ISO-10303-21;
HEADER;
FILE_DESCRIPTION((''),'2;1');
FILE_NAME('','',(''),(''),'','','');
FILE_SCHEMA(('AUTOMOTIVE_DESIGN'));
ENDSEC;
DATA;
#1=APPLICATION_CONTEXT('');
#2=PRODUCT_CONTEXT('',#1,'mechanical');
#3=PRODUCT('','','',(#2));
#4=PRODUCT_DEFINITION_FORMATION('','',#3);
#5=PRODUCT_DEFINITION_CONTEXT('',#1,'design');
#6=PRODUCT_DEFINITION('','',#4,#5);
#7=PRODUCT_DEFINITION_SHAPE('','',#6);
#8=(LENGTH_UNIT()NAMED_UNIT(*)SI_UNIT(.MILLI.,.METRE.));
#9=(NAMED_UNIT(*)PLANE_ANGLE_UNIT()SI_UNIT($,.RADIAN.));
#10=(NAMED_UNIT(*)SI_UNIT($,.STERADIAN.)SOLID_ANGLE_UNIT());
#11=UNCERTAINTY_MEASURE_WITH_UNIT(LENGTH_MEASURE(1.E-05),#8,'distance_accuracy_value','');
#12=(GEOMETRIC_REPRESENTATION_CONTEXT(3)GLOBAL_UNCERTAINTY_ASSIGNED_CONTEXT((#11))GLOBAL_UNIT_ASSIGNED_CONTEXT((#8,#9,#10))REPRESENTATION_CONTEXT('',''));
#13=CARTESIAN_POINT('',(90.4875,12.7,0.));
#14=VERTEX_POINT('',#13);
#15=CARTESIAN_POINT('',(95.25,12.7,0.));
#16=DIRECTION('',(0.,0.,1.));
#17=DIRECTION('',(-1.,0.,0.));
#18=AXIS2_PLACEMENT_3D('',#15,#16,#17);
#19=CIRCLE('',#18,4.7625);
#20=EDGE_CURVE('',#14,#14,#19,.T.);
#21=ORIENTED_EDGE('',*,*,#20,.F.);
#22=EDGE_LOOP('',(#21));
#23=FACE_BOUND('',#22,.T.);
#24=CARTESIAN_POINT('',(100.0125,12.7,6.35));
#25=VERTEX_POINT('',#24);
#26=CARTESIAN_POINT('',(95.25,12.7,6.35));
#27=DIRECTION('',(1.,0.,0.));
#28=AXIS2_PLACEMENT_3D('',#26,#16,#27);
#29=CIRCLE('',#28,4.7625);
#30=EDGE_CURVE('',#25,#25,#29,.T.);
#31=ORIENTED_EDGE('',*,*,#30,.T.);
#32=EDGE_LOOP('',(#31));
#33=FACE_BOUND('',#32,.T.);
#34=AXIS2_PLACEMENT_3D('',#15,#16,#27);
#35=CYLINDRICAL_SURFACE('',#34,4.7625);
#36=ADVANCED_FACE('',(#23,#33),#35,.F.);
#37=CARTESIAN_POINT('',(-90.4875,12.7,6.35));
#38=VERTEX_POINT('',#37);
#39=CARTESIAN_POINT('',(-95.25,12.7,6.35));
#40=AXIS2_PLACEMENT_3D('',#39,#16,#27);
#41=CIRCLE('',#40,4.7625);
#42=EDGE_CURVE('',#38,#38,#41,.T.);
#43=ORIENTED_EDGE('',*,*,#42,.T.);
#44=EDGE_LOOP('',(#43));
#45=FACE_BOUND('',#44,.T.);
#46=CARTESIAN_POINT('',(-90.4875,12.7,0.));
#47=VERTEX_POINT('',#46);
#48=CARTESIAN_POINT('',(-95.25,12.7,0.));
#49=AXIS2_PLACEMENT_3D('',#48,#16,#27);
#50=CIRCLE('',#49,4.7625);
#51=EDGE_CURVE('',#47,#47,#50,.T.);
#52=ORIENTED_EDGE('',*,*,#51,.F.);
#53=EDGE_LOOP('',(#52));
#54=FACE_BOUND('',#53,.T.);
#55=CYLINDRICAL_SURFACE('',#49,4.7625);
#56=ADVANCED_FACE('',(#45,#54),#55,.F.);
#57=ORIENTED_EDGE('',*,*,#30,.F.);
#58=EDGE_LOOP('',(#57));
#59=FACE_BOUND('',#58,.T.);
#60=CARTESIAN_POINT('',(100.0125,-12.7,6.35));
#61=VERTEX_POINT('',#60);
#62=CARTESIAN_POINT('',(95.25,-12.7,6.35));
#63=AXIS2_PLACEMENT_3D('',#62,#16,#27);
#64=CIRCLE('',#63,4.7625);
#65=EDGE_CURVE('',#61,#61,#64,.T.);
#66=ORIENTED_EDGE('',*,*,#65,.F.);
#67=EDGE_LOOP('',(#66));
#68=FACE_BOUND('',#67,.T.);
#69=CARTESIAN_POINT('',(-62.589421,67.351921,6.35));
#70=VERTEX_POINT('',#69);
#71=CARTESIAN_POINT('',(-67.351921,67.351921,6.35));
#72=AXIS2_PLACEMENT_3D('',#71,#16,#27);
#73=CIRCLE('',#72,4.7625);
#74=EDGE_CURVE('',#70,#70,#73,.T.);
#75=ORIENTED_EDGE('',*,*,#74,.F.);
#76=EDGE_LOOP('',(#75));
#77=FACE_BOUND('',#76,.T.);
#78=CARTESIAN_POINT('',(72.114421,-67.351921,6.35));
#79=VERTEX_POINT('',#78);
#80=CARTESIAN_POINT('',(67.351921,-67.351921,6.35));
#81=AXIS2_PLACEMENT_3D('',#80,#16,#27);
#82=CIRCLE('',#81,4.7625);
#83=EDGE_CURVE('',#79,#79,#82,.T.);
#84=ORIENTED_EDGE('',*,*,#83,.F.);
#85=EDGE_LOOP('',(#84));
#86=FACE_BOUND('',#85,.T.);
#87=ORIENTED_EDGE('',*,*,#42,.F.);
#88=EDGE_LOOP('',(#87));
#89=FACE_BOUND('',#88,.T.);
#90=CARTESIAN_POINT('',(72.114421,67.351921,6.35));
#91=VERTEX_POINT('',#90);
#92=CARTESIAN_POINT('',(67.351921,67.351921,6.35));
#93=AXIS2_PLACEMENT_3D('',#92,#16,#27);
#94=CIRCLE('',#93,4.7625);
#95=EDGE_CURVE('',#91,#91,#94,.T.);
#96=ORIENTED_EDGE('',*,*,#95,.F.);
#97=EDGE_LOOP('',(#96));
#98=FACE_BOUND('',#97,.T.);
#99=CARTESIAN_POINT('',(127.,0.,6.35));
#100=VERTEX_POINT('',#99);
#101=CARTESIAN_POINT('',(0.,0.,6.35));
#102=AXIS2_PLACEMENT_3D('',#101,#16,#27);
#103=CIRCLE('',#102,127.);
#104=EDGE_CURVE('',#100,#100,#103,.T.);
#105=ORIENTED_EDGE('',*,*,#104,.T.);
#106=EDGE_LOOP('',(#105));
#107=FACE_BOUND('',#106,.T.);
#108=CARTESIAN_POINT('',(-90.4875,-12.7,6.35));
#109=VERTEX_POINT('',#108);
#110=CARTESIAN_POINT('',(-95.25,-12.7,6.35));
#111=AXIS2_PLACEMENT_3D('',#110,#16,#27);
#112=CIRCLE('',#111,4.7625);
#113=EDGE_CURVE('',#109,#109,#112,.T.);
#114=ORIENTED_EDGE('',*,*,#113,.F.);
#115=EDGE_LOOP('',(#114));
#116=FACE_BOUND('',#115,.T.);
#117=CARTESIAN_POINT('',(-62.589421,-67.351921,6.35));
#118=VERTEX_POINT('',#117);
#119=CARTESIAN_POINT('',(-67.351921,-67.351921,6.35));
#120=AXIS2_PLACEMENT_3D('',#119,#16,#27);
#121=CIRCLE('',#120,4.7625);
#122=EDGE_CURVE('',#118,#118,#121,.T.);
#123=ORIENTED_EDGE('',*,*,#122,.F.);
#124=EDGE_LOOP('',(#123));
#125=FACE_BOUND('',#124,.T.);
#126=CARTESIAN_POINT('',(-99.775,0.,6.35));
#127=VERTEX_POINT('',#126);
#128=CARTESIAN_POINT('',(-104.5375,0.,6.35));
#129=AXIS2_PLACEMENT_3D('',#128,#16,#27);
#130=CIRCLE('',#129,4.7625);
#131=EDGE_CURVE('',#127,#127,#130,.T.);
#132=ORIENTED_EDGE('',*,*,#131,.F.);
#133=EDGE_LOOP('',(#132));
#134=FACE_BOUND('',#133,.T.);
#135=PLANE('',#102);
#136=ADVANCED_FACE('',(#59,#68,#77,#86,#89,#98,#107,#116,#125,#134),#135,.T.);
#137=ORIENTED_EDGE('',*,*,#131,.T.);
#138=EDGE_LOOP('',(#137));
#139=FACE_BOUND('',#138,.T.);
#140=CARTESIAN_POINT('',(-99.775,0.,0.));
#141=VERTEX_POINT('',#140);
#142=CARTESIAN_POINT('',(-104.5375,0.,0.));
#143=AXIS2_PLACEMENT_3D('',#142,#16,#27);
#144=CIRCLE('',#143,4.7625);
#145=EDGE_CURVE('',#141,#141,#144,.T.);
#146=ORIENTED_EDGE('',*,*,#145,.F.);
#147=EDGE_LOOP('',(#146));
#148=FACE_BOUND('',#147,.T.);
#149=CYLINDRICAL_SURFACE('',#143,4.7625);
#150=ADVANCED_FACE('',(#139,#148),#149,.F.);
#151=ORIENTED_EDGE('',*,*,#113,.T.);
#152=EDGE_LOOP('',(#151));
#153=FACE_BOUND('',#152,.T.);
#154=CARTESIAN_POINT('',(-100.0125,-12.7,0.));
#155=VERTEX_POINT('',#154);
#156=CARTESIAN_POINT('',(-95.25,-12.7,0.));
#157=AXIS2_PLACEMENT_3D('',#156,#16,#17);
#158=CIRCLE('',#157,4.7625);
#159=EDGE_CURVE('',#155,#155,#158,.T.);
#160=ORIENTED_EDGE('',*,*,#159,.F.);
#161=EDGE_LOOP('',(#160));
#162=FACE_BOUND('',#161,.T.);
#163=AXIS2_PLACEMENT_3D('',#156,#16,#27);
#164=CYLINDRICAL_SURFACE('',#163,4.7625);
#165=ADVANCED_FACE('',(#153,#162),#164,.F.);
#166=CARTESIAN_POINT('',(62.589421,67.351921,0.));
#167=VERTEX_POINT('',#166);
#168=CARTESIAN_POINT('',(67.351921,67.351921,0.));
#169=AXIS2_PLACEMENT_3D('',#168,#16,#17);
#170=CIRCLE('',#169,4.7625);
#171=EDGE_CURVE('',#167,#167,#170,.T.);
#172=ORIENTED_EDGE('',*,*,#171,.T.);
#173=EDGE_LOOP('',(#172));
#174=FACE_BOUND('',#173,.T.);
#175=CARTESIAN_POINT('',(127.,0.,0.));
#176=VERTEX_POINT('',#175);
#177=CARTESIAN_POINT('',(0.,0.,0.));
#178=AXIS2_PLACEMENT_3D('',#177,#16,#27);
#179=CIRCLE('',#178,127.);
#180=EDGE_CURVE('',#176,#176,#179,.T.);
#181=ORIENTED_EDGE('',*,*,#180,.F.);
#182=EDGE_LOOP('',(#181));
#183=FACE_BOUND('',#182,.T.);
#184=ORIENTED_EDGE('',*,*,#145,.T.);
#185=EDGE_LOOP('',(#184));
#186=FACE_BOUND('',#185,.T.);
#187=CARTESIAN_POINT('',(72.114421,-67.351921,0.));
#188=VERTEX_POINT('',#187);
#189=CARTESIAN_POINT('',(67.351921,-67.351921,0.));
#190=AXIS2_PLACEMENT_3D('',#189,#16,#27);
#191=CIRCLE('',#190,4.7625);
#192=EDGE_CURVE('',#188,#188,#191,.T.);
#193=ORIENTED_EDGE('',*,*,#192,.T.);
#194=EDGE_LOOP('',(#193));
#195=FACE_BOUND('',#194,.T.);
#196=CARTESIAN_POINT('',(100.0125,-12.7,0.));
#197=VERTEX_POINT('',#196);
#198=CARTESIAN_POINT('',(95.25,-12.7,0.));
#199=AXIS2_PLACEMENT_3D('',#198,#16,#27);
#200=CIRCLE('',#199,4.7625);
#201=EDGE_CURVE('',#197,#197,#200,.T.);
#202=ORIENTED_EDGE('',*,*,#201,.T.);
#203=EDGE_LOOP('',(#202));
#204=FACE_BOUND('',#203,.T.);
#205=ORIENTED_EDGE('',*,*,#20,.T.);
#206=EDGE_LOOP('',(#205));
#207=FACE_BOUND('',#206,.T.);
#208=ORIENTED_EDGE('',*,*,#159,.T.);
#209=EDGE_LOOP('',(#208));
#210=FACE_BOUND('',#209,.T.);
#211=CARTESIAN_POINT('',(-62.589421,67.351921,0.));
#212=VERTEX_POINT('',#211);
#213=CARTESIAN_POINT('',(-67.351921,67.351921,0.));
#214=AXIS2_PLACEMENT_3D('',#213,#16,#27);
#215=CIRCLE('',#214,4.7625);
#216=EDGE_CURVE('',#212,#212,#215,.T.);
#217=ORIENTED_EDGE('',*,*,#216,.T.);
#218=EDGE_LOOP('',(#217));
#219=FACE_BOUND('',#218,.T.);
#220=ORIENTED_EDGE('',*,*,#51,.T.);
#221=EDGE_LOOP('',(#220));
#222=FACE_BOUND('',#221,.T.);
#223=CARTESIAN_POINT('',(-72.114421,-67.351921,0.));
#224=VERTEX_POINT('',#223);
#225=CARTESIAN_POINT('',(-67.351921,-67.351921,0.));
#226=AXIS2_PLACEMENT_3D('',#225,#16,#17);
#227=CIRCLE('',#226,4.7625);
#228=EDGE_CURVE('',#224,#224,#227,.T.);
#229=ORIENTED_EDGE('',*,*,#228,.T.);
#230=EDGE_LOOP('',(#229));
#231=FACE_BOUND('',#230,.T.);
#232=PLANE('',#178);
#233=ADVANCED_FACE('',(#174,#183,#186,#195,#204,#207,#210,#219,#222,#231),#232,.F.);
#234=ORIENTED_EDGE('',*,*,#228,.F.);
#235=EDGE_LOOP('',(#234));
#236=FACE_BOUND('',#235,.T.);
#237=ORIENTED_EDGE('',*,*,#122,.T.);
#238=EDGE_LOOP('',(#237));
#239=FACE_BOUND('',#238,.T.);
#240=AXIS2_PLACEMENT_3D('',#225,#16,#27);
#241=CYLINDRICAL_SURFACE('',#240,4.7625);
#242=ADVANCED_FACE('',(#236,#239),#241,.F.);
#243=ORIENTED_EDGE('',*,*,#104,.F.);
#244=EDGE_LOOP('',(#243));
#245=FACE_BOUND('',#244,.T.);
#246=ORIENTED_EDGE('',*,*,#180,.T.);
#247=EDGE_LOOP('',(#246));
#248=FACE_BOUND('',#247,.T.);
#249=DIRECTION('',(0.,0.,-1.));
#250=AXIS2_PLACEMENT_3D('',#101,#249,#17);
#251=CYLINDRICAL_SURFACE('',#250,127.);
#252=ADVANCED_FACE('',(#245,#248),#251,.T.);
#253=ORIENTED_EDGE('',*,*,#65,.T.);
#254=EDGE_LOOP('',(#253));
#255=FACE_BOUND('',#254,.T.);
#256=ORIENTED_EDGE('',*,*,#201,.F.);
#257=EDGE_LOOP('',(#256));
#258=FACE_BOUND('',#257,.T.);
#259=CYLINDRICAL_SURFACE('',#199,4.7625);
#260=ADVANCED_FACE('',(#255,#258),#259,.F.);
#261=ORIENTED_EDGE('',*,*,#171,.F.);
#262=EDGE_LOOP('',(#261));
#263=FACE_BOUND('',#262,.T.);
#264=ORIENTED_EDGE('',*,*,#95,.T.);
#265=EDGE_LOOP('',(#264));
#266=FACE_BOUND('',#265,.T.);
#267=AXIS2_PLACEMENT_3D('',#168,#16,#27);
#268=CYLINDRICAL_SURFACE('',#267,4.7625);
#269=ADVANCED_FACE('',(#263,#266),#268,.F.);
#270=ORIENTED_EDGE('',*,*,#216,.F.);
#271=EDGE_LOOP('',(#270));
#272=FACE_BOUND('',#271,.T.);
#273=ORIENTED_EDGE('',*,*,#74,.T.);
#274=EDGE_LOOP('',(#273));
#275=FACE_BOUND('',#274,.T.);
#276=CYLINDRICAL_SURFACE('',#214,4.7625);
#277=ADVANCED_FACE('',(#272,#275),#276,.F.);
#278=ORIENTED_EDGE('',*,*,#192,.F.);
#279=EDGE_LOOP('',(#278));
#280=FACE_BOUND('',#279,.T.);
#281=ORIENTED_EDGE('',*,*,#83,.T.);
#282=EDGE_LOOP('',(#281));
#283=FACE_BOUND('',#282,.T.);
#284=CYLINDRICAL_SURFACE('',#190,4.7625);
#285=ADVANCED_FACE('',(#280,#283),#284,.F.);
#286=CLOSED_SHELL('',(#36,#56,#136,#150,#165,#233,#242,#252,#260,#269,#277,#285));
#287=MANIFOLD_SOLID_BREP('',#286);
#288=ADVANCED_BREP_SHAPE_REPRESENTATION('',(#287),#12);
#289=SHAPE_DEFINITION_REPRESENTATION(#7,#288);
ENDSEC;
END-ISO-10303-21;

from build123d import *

# Parameters (mm, degrees)
SKETCH1_R               = 127
BOSS_EXTRUDE1_DEPTH     = 6.35
CUT_EXTRUDE1_DEPTH      = 180.717340566
CUT_EXTRUDE1_DEPTH_BACK = 180.717340566
SKETCH2_R               = 4.7625
CUT_EXTRUDE2_DEPTH      = 180.717340566
CUT_EXTRUDE2_DEPTH_BACK = 180.717340566
SKETCH3_R               = 4.7625
CUT_EXTRUDE4_DEPTH      = 180.717340566
CUT_EXTRUDE4_DEPTH_BACK = 180.717340566
SKETCH4_R               = 4.7625


with BuildPart() as part:
    # Sketch1 → Boss-Extrude1 (new body)
    with BuildSketch(Plane.XY):
        Circle(SKETCH1_R)
    extrude(amount=BOSS_EXTRUDE1_DEPTH)

    # Sketch2 → Cut-Extrude1 (cut, two sides: drawn at the far end of the back side and taken through both)
    with BuildSketch(Plane.XY.offset(6.35).offset(-CUT_EXTRUDE1_DEPTH_BACK)):
        with Locations((-67.351920908, 67.351920908)):
            Circle(SKETCH2_R)
        with Locations((-67.351920908, -67.351920908)):
            Circle(SKETCH2_R)
        with Locations((67.351920908, -67.351920908)):
            Circle(SKETCH2_R)
        with Locations((67.351920908, 67.351920908)):
            Circle(SKETCH2_R)
    extrude(amount=CUT_EXTRUDE1_DEPTH + CUT_EXTRUDE1_DEPTH_BACK, mode=Mode.SUBTRACT)

    # Sketch3 → Cut-Extrude2 (cut, two sides: drawn at the far end of the back side and taken through both)
    with BuildSketch(Plane.XY.offset(6.35).offset(-CUT_EXTRUDE2_DEPTH_BACK)):
        with Locations((-95.25, 12.7)):
            Circle(SKETCH3_R)
        with Locations((-95.25, -12.7)):
            Circle(SKETCH3_R)
        with Locations((95.25, -12.7)):
            Circle(SKETCH3_R)
        with Locations((95.25, 12.7)):
            Circle(SKETCH3_R)
    extrude(amount=CUT_EXTRUDE2_DEPTH + CUT_EXTRUDE2_DEPTH_BACK, mode=Mode.SUBTRACT)

    # Sketch4 → Cut-Extrude4 (cut, two sides: drawn at the far end of the back side and taken through both)
    with BuildSketch(Plane.XY.offset(6.35).offset(-CUT_EXTRUDE4_DEPTH_BACK)):
        with Locations((-104.537500094, 0)):
            Circle(SKETCH4_R)
    extrude(amount=CUT_EXTRUDE4_DEPTH + CUT_EXTRUDE4_DEPTH_BACK, mode=Mode.SUBTRACT)


solid = part.part
